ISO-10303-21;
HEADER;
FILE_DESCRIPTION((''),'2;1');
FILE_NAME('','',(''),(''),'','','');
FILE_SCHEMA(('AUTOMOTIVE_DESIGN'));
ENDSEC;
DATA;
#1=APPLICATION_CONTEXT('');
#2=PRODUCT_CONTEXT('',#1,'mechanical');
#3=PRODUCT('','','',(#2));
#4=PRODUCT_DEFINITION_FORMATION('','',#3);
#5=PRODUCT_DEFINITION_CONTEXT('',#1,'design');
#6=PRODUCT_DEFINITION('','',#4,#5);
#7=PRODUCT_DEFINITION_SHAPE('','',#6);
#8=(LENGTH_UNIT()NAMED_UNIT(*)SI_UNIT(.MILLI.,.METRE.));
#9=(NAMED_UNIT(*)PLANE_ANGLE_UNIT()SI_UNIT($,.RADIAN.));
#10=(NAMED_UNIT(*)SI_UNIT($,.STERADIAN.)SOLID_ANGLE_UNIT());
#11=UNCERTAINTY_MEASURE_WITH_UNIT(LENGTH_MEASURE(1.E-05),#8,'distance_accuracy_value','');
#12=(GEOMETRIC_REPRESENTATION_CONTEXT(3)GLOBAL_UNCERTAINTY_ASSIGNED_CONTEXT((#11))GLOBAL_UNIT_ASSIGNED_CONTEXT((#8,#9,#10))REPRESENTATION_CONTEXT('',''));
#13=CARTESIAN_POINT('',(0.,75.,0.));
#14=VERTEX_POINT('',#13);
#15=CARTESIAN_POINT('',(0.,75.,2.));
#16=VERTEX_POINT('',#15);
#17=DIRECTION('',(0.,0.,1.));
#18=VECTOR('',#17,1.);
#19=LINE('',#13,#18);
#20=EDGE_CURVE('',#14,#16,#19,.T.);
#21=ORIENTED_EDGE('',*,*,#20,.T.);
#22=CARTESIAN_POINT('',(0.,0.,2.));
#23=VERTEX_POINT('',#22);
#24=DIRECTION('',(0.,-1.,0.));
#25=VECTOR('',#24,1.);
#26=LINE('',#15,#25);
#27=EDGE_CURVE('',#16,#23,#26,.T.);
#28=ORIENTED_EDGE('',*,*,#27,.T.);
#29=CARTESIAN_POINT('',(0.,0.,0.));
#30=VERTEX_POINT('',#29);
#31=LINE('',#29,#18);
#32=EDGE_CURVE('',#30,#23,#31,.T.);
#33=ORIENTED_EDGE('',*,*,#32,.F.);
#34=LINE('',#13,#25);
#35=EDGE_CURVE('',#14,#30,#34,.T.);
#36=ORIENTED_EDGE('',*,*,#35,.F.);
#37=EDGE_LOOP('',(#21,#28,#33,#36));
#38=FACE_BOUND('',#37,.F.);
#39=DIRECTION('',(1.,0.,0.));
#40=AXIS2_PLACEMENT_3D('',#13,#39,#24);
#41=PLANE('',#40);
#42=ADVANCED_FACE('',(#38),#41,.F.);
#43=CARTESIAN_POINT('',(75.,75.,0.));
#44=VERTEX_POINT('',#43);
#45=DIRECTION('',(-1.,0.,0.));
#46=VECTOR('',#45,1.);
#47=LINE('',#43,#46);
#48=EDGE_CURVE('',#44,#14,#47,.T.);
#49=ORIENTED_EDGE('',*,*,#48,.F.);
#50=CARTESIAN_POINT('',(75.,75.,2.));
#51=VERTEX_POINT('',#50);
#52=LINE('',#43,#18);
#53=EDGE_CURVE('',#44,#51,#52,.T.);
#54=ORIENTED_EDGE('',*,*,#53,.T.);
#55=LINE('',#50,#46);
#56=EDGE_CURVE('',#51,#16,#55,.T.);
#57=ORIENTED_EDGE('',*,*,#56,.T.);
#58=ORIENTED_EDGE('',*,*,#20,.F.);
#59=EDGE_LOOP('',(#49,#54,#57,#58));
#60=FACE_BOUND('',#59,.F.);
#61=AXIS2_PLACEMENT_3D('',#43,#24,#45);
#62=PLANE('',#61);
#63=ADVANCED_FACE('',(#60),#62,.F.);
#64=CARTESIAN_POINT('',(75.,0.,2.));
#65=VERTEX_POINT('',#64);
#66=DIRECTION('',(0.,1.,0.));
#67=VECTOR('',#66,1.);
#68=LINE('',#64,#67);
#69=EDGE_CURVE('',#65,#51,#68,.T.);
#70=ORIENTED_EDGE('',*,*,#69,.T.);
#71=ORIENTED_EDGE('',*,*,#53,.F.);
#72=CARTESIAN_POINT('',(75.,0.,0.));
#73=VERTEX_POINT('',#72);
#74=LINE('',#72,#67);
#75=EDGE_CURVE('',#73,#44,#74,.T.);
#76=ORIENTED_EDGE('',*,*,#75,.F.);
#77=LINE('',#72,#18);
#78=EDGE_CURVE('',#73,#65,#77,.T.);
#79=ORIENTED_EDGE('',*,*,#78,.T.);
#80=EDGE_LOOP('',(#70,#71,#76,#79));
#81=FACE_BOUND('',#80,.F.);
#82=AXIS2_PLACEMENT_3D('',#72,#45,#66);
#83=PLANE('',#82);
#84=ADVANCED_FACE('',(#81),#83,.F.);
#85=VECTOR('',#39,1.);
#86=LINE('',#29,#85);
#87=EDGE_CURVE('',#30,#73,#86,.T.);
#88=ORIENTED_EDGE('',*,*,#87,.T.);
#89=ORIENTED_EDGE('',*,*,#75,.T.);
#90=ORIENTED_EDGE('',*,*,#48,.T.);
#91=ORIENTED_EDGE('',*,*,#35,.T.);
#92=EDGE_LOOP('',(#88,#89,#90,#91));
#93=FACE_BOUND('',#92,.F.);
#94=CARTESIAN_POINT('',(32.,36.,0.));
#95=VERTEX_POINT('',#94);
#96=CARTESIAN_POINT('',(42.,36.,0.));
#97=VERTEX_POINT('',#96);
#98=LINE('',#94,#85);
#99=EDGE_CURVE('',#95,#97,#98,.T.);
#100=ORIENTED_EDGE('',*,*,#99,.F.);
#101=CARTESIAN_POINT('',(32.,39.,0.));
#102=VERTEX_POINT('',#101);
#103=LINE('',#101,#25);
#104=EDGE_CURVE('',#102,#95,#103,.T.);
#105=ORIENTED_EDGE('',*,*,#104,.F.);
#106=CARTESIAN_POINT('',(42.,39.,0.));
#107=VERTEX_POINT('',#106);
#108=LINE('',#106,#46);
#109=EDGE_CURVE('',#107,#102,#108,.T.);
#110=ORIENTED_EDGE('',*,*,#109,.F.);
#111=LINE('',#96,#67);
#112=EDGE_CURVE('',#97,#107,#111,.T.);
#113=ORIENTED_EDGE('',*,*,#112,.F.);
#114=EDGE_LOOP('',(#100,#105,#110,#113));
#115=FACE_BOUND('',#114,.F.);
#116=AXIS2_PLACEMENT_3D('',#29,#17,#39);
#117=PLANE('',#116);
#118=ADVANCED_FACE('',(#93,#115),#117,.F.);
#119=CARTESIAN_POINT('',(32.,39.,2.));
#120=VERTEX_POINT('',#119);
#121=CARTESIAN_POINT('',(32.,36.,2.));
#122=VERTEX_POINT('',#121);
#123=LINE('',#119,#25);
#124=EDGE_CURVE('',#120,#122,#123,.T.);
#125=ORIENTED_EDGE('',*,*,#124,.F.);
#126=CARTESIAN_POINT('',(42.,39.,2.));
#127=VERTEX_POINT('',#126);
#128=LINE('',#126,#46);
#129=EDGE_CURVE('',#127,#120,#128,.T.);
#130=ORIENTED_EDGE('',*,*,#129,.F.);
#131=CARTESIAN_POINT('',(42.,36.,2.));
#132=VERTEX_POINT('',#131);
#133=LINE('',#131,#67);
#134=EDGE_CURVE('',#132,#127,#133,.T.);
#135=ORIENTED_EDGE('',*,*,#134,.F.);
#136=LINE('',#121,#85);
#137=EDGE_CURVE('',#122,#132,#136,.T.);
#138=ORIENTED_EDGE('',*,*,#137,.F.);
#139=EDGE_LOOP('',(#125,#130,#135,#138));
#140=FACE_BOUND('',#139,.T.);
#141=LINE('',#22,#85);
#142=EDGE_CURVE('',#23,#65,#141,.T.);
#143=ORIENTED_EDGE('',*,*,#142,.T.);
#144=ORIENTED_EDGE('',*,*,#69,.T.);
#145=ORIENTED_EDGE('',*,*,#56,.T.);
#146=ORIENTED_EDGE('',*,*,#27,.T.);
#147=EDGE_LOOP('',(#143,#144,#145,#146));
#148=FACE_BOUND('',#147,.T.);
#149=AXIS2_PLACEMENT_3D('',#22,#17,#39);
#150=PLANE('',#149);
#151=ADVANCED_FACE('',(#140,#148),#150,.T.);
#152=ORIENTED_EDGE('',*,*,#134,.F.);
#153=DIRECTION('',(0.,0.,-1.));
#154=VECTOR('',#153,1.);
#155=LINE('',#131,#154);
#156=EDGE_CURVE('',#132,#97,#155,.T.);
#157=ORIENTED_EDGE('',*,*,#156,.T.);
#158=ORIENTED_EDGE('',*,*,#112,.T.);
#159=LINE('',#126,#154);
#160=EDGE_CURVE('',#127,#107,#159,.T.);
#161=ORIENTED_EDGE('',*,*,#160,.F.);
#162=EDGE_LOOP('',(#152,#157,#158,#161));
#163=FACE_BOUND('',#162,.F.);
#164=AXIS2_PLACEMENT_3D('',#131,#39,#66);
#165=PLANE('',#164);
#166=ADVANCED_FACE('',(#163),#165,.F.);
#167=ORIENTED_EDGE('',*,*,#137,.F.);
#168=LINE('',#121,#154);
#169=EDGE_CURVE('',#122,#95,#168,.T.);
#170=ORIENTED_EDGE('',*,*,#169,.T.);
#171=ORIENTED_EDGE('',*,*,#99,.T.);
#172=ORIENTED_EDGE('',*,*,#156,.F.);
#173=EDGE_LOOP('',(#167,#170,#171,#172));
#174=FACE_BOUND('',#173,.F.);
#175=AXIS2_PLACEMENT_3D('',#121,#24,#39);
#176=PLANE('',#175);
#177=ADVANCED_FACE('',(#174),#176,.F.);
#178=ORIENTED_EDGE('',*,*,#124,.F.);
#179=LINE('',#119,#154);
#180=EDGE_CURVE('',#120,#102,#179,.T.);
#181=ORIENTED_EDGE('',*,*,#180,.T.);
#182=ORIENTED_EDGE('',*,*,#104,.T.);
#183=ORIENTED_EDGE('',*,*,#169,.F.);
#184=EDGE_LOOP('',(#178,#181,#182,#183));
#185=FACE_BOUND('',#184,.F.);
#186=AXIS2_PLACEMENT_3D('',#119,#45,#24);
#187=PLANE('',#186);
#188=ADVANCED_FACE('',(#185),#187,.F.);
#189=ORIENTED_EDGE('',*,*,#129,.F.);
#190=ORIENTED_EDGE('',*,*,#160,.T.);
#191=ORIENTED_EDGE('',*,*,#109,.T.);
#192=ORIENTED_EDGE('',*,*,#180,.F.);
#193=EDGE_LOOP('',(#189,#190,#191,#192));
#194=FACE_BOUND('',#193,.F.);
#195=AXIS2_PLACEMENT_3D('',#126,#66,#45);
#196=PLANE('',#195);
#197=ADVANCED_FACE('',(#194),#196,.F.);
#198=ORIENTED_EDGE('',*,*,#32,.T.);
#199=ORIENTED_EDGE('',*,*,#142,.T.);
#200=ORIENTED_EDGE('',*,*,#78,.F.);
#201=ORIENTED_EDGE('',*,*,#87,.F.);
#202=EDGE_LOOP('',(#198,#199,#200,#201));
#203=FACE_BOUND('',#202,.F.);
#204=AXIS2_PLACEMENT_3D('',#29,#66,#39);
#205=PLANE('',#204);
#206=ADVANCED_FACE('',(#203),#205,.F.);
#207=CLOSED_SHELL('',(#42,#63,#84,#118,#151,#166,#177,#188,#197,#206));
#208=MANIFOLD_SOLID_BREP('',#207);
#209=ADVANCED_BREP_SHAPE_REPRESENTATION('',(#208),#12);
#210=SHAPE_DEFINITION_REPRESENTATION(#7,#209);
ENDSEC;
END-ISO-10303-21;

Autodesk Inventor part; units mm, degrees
ref_plane "YZ Plane" through (0, 0, 0) normal (1, 0, 0) x (0, 1, 0)
ref_plane "XZ Plane" through (0, 0, 0) normal (0, 1, 0) x (-1, 0, 0)
ref_plane "XY Plane" through (0, 0, 0) normal (0, 0, 1) x (1, 0, 0)
sketch "Esquisse1" plane through (0, 0, 0) normal (0, 0, 1) x (1, 0, 0)
  line L0 (0, 0) -> (75, 0)
  line L1 (75, 0) -> (75, 75)
  line L2 (75, 75) -> (0, 75)
  line L3 (0, 75) -> (0, 0)
  dimension "d0" = 75
  dimension "d1" = 75
extrude "Extrusion1" add sketch "Esquisse1" along normal blind 2
sketch "Esquisse2" plane through (0, 0, 2) normal (0, 0, 1) x (1, 0, 0)
  line L0 (32, 36) -> (42, 36)
  line L1 (42, 36) -> (42, 39)
  line L2 (42, 39) -> (32, 39)
  line L3 (32, 39) -> (32, 36)
  line L4 (0, 0) -> (75, 0) projected
  line L5 (0, 75) -> (0, 0) projected
  dimension "d4" = 10
  dimension "d5" = 3
  dimension "d6" = 36
  dimension "d7" = 32
extrude "Extrusion2" cut sketch "Esquisse2" against normal blind 2
properties part number "Pièce-moteur-vis"
